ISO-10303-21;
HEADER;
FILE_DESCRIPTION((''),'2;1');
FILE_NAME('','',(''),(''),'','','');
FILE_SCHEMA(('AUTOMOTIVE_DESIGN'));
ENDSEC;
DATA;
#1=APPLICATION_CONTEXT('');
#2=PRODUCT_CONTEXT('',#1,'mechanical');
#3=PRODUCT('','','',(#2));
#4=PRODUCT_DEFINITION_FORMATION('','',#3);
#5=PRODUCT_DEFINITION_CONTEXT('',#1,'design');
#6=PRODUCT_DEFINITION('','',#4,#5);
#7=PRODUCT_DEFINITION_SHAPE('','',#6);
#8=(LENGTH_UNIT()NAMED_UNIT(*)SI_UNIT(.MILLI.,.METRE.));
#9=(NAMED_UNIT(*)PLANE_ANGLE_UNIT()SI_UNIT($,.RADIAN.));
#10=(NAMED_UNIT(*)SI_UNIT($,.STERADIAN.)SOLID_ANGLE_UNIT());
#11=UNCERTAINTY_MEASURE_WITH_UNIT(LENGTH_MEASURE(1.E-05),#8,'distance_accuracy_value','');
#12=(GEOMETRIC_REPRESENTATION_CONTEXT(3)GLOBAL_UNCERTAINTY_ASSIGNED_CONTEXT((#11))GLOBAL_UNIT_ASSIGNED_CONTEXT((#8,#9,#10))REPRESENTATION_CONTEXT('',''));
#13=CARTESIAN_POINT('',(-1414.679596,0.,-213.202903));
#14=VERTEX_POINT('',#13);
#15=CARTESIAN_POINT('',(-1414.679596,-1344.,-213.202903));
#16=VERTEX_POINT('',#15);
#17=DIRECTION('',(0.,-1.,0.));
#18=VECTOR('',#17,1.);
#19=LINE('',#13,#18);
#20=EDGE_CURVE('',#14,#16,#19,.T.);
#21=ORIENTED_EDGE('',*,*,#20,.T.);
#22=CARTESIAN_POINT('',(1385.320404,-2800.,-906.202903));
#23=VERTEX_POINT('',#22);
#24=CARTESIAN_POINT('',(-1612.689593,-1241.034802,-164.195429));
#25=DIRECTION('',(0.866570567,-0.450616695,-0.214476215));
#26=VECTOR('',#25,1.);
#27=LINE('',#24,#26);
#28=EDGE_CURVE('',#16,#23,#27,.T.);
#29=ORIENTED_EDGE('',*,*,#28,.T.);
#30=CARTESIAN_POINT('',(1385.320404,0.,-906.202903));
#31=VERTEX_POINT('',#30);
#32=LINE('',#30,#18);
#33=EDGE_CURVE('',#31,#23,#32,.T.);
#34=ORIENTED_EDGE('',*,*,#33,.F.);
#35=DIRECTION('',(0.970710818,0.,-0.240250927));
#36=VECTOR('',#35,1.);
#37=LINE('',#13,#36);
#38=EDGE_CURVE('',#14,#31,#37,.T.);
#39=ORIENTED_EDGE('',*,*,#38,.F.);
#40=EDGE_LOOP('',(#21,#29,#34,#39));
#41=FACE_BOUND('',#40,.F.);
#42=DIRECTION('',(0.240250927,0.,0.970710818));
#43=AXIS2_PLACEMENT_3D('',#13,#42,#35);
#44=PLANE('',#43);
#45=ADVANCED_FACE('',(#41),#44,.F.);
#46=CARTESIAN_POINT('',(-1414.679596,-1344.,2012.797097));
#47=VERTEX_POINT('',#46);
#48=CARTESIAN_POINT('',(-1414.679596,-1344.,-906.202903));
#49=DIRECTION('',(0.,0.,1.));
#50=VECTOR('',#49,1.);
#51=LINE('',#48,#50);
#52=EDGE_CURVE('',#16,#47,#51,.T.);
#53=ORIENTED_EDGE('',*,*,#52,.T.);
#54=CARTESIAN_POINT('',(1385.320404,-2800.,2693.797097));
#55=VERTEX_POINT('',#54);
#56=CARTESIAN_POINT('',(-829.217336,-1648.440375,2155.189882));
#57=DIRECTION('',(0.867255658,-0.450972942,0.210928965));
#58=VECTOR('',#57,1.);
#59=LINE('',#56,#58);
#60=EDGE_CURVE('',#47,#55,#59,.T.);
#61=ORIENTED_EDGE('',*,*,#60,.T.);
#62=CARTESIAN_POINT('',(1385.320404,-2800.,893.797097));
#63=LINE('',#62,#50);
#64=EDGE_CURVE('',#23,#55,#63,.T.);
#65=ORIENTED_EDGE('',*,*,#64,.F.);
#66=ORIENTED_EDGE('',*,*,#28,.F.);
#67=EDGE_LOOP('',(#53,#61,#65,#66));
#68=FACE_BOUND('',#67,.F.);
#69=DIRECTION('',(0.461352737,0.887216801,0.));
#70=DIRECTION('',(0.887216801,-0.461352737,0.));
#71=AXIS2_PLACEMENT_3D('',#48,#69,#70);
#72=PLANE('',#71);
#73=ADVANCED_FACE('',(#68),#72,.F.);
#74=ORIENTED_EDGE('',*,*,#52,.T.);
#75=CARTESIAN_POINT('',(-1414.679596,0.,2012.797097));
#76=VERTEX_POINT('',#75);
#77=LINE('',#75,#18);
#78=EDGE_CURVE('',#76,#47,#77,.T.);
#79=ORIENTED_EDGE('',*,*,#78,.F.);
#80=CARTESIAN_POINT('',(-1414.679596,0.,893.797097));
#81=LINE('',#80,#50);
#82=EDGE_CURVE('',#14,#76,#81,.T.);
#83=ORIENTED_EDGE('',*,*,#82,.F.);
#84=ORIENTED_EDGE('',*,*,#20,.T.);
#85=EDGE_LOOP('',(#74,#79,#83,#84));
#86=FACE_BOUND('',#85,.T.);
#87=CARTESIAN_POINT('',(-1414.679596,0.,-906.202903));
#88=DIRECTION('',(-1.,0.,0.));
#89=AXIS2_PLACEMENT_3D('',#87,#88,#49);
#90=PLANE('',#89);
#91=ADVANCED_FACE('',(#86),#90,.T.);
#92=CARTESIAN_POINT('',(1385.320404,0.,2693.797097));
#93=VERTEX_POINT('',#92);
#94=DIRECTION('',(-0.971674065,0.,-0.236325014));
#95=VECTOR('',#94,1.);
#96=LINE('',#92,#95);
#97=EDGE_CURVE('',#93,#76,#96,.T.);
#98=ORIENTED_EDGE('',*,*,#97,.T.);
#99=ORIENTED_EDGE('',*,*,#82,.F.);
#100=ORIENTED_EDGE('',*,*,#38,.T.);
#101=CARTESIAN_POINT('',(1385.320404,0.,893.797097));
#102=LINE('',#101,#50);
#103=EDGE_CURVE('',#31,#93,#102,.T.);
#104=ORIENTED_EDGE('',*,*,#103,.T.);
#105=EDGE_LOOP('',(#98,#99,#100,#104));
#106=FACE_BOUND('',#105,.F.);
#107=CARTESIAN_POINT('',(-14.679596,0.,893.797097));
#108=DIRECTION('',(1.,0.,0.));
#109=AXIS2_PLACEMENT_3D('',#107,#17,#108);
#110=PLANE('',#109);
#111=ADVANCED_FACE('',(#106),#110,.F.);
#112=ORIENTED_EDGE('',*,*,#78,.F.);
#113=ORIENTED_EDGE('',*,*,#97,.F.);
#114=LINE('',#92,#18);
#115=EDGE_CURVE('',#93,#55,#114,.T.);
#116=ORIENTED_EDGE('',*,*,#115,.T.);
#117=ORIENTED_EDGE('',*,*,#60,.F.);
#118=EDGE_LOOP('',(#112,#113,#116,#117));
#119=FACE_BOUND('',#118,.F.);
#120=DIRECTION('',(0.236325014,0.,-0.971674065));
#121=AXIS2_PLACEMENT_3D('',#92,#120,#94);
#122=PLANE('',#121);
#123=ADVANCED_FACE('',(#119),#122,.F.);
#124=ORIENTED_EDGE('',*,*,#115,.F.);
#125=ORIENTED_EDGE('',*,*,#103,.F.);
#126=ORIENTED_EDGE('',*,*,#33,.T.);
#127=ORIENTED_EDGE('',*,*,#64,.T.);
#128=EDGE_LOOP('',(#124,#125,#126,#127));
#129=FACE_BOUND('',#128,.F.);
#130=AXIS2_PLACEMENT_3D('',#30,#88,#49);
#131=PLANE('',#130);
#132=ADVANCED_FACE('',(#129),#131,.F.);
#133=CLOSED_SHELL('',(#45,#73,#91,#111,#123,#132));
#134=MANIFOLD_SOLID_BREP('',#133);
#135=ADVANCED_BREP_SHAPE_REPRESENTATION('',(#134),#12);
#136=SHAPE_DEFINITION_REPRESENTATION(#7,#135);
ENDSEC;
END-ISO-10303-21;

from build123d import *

# Parameters (mm, degrees)
F0_W     = 2800
F0_H     = 3600
F1_DEPTH = 2800
F3_DEPTH = 2800
F5_DEPTH = 3600.001
F7_DEPTH = 2800


with BuildPart() as f1:
    # F0 (on Front) → F1 (new body)
    with BuildSketch(Plane.XZ):
        with Locations((-14.6795958281, 893.7970971422)):
            Rectangle(F0_W, F0_H)
    extrude(amount=F1_DEPTH)

    # F2 (on face) → F3 (cut, through all)
    with BuildSketch(Plane(origin=(0, 0, 0), x_dir=(-1, 0, 0), z_dir=(0, 1, 0))):
        Polygon((1414.6795958281, 2693.7970971422), (-1385.3204041719, 2693.7970971422), (1414.6795958281, 2012.7970971422), align=None)
    extrude(amount=-F3_DEPTH, mode=Mode.SUBTRACT)

    # F4 (on face) → F5 (cut, through all)
    with BuildSketch(Plane(origin=(0, 0, -906.2029028578), x_dir=(1, 0, 0), z_dir=(0, 0, -1))):
        Polygon((1385.3204041719, 2800), (-1414.6795958281, 2800), (-1414.6795958281, 1344), align=None)
    extrude(amount=-F5_DEPTH, mode=Mode.SUBTRACT)

    # F6 (on face) → F7 (cut)
    with BuildSketch(Plane(origin=(0, 0, 0), x_dir=(-1, 0, 0), z_dir=(0, 1, 0))):
        Polygon((-1385.3204041719, -906.2029028578), (1414.6795958281, -906.2029028578), (1414.6795958281, -213.2029028578), align=None)
    extrude(amount=-F7_DEPTH, mode=Mode.SUBTRACT)


solid = f1.part
